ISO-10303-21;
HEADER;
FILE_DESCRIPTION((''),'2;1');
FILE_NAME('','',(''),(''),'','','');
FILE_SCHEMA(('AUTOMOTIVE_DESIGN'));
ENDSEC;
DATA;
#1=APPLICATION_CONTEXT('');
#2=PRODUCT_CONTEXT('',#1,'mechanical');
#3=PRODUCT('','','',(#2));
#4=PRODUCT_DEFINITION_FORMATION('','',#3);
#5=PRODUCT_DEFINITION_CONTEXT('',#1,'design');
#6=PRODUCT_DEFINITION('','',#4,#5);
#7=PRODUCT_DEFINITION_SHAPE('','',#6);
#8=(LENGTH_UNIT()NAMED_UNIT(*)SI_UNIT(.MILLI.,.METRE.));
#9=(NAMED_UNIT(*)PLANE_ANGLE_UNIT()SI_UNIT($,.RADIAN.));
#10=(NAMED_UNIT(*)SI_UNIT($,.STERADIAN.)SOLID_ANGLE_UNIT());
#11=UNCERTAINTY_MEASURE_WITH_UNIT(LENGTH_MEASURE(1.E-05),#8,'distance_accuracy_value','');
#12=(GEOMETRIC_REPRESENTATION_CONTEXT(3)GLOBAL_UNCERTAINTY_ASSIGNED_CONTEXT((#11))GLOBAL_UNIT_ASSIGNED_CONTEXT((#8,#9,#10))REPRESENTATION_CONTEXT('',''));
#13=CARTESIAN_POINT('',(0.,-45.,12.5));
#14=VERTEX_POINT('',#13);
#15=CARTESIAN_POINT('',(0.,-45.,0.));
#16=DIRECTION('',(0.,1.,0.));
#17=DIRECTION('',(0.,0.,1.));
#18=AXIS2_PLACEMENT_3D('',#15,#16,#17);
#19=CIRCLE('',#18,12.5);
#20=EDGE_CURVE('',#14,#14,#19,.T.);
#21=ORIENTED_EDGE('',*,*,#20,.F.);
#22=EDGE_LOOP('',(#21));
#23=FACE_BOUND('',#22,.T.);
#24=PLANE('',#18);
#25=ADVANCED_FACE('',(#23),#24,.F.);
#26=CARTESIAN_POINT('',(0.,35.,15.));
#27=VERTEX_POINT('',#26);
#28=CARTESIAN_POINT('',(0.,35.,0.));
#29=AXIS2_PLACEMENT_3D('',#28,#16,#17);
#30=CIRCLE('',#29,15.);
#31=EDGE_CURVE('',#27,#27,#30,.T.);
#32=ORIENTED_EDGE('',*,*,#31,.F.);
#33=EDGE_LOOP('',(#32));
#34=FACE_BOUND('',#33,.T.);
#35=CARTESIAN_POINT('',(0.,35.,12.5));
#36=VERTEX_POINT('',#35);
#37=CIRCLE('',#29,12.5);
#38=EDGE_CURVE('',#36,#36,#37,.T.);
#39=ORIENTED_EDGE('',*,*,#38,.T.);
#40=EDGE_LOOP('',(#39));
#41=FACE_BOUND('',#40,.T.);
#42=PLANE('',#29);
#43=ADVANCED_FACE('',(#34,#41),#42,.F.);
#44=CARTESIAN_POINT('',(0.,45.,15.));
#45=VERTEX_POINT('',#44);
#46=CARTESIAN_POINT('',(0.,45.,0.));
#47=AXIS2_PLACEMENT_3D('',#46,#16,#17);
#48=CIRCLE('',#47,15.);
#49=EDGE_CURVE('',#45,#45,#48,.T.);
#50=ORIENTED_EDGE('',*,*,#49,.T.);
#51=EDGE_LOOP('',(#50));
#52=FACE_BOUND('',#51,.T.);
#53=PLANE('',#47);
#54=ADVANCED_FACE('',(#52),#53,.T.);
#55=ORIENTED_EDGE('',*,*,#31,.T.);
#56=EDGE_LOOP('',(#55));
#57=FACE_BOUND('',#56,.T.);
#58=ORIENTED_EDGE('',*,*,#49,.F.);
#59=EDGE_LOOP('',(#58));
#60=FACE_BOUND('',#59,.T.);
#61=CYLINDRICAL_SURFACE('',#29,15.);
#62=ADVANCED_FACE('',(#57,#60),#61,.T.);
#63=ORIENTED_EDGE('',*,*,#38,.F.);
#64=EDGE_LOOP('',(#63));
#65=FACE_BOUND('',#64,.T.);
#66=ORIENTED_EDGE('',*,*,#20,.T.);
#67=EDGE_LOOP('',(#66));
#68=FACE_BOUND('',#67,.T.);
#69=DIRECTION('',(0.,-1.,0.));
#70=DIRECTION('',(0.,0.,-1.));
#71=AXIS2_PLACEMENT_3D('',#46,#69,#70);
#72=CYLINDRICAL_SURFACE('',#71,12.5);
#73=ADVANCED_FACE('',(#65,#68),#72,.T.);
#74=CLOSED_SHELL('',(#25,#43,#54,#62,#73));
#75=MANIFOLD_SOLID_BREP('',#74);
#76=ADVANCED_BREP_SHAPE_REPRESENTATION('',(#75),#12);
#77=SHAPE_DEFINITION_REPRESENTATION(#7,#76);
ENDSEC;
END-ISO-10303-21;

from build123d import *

# Parameters (mm, degrees)
CROQUIS1_R              = 12.5
SALIENTE_EXTRUIR1_DEPTH = 45
CROQUIS2_R              = 15
SALIENTE_EXTRUIR2_DEPTH = 10


with BuildPart() as part:
    # Croquis1 → Saliente-Extruir1 (new body, symmetric)
    with BuildSketch(Plane(origin=(0, 0, 0), x_dir=(1, 0, 0), z_dir=(0, 1, 0))):
        Circle(CROQUIS1_R)
    extrude(amount=SALIENTE_EXTRUIR1_DEPTH, both=True)

    # Croquis2 → Saliente-Extruir2 (add)
    with BuildSketch(Plane(origin=(0, 45, 0), x_dir=(1, 0, 0), z_dir=(0, 1, 0))):
        Circle(CROQUIS2_R)
    extrude(amount=-SALIENTE_EXTRUIR2_DEPTH)


solid = part.part
